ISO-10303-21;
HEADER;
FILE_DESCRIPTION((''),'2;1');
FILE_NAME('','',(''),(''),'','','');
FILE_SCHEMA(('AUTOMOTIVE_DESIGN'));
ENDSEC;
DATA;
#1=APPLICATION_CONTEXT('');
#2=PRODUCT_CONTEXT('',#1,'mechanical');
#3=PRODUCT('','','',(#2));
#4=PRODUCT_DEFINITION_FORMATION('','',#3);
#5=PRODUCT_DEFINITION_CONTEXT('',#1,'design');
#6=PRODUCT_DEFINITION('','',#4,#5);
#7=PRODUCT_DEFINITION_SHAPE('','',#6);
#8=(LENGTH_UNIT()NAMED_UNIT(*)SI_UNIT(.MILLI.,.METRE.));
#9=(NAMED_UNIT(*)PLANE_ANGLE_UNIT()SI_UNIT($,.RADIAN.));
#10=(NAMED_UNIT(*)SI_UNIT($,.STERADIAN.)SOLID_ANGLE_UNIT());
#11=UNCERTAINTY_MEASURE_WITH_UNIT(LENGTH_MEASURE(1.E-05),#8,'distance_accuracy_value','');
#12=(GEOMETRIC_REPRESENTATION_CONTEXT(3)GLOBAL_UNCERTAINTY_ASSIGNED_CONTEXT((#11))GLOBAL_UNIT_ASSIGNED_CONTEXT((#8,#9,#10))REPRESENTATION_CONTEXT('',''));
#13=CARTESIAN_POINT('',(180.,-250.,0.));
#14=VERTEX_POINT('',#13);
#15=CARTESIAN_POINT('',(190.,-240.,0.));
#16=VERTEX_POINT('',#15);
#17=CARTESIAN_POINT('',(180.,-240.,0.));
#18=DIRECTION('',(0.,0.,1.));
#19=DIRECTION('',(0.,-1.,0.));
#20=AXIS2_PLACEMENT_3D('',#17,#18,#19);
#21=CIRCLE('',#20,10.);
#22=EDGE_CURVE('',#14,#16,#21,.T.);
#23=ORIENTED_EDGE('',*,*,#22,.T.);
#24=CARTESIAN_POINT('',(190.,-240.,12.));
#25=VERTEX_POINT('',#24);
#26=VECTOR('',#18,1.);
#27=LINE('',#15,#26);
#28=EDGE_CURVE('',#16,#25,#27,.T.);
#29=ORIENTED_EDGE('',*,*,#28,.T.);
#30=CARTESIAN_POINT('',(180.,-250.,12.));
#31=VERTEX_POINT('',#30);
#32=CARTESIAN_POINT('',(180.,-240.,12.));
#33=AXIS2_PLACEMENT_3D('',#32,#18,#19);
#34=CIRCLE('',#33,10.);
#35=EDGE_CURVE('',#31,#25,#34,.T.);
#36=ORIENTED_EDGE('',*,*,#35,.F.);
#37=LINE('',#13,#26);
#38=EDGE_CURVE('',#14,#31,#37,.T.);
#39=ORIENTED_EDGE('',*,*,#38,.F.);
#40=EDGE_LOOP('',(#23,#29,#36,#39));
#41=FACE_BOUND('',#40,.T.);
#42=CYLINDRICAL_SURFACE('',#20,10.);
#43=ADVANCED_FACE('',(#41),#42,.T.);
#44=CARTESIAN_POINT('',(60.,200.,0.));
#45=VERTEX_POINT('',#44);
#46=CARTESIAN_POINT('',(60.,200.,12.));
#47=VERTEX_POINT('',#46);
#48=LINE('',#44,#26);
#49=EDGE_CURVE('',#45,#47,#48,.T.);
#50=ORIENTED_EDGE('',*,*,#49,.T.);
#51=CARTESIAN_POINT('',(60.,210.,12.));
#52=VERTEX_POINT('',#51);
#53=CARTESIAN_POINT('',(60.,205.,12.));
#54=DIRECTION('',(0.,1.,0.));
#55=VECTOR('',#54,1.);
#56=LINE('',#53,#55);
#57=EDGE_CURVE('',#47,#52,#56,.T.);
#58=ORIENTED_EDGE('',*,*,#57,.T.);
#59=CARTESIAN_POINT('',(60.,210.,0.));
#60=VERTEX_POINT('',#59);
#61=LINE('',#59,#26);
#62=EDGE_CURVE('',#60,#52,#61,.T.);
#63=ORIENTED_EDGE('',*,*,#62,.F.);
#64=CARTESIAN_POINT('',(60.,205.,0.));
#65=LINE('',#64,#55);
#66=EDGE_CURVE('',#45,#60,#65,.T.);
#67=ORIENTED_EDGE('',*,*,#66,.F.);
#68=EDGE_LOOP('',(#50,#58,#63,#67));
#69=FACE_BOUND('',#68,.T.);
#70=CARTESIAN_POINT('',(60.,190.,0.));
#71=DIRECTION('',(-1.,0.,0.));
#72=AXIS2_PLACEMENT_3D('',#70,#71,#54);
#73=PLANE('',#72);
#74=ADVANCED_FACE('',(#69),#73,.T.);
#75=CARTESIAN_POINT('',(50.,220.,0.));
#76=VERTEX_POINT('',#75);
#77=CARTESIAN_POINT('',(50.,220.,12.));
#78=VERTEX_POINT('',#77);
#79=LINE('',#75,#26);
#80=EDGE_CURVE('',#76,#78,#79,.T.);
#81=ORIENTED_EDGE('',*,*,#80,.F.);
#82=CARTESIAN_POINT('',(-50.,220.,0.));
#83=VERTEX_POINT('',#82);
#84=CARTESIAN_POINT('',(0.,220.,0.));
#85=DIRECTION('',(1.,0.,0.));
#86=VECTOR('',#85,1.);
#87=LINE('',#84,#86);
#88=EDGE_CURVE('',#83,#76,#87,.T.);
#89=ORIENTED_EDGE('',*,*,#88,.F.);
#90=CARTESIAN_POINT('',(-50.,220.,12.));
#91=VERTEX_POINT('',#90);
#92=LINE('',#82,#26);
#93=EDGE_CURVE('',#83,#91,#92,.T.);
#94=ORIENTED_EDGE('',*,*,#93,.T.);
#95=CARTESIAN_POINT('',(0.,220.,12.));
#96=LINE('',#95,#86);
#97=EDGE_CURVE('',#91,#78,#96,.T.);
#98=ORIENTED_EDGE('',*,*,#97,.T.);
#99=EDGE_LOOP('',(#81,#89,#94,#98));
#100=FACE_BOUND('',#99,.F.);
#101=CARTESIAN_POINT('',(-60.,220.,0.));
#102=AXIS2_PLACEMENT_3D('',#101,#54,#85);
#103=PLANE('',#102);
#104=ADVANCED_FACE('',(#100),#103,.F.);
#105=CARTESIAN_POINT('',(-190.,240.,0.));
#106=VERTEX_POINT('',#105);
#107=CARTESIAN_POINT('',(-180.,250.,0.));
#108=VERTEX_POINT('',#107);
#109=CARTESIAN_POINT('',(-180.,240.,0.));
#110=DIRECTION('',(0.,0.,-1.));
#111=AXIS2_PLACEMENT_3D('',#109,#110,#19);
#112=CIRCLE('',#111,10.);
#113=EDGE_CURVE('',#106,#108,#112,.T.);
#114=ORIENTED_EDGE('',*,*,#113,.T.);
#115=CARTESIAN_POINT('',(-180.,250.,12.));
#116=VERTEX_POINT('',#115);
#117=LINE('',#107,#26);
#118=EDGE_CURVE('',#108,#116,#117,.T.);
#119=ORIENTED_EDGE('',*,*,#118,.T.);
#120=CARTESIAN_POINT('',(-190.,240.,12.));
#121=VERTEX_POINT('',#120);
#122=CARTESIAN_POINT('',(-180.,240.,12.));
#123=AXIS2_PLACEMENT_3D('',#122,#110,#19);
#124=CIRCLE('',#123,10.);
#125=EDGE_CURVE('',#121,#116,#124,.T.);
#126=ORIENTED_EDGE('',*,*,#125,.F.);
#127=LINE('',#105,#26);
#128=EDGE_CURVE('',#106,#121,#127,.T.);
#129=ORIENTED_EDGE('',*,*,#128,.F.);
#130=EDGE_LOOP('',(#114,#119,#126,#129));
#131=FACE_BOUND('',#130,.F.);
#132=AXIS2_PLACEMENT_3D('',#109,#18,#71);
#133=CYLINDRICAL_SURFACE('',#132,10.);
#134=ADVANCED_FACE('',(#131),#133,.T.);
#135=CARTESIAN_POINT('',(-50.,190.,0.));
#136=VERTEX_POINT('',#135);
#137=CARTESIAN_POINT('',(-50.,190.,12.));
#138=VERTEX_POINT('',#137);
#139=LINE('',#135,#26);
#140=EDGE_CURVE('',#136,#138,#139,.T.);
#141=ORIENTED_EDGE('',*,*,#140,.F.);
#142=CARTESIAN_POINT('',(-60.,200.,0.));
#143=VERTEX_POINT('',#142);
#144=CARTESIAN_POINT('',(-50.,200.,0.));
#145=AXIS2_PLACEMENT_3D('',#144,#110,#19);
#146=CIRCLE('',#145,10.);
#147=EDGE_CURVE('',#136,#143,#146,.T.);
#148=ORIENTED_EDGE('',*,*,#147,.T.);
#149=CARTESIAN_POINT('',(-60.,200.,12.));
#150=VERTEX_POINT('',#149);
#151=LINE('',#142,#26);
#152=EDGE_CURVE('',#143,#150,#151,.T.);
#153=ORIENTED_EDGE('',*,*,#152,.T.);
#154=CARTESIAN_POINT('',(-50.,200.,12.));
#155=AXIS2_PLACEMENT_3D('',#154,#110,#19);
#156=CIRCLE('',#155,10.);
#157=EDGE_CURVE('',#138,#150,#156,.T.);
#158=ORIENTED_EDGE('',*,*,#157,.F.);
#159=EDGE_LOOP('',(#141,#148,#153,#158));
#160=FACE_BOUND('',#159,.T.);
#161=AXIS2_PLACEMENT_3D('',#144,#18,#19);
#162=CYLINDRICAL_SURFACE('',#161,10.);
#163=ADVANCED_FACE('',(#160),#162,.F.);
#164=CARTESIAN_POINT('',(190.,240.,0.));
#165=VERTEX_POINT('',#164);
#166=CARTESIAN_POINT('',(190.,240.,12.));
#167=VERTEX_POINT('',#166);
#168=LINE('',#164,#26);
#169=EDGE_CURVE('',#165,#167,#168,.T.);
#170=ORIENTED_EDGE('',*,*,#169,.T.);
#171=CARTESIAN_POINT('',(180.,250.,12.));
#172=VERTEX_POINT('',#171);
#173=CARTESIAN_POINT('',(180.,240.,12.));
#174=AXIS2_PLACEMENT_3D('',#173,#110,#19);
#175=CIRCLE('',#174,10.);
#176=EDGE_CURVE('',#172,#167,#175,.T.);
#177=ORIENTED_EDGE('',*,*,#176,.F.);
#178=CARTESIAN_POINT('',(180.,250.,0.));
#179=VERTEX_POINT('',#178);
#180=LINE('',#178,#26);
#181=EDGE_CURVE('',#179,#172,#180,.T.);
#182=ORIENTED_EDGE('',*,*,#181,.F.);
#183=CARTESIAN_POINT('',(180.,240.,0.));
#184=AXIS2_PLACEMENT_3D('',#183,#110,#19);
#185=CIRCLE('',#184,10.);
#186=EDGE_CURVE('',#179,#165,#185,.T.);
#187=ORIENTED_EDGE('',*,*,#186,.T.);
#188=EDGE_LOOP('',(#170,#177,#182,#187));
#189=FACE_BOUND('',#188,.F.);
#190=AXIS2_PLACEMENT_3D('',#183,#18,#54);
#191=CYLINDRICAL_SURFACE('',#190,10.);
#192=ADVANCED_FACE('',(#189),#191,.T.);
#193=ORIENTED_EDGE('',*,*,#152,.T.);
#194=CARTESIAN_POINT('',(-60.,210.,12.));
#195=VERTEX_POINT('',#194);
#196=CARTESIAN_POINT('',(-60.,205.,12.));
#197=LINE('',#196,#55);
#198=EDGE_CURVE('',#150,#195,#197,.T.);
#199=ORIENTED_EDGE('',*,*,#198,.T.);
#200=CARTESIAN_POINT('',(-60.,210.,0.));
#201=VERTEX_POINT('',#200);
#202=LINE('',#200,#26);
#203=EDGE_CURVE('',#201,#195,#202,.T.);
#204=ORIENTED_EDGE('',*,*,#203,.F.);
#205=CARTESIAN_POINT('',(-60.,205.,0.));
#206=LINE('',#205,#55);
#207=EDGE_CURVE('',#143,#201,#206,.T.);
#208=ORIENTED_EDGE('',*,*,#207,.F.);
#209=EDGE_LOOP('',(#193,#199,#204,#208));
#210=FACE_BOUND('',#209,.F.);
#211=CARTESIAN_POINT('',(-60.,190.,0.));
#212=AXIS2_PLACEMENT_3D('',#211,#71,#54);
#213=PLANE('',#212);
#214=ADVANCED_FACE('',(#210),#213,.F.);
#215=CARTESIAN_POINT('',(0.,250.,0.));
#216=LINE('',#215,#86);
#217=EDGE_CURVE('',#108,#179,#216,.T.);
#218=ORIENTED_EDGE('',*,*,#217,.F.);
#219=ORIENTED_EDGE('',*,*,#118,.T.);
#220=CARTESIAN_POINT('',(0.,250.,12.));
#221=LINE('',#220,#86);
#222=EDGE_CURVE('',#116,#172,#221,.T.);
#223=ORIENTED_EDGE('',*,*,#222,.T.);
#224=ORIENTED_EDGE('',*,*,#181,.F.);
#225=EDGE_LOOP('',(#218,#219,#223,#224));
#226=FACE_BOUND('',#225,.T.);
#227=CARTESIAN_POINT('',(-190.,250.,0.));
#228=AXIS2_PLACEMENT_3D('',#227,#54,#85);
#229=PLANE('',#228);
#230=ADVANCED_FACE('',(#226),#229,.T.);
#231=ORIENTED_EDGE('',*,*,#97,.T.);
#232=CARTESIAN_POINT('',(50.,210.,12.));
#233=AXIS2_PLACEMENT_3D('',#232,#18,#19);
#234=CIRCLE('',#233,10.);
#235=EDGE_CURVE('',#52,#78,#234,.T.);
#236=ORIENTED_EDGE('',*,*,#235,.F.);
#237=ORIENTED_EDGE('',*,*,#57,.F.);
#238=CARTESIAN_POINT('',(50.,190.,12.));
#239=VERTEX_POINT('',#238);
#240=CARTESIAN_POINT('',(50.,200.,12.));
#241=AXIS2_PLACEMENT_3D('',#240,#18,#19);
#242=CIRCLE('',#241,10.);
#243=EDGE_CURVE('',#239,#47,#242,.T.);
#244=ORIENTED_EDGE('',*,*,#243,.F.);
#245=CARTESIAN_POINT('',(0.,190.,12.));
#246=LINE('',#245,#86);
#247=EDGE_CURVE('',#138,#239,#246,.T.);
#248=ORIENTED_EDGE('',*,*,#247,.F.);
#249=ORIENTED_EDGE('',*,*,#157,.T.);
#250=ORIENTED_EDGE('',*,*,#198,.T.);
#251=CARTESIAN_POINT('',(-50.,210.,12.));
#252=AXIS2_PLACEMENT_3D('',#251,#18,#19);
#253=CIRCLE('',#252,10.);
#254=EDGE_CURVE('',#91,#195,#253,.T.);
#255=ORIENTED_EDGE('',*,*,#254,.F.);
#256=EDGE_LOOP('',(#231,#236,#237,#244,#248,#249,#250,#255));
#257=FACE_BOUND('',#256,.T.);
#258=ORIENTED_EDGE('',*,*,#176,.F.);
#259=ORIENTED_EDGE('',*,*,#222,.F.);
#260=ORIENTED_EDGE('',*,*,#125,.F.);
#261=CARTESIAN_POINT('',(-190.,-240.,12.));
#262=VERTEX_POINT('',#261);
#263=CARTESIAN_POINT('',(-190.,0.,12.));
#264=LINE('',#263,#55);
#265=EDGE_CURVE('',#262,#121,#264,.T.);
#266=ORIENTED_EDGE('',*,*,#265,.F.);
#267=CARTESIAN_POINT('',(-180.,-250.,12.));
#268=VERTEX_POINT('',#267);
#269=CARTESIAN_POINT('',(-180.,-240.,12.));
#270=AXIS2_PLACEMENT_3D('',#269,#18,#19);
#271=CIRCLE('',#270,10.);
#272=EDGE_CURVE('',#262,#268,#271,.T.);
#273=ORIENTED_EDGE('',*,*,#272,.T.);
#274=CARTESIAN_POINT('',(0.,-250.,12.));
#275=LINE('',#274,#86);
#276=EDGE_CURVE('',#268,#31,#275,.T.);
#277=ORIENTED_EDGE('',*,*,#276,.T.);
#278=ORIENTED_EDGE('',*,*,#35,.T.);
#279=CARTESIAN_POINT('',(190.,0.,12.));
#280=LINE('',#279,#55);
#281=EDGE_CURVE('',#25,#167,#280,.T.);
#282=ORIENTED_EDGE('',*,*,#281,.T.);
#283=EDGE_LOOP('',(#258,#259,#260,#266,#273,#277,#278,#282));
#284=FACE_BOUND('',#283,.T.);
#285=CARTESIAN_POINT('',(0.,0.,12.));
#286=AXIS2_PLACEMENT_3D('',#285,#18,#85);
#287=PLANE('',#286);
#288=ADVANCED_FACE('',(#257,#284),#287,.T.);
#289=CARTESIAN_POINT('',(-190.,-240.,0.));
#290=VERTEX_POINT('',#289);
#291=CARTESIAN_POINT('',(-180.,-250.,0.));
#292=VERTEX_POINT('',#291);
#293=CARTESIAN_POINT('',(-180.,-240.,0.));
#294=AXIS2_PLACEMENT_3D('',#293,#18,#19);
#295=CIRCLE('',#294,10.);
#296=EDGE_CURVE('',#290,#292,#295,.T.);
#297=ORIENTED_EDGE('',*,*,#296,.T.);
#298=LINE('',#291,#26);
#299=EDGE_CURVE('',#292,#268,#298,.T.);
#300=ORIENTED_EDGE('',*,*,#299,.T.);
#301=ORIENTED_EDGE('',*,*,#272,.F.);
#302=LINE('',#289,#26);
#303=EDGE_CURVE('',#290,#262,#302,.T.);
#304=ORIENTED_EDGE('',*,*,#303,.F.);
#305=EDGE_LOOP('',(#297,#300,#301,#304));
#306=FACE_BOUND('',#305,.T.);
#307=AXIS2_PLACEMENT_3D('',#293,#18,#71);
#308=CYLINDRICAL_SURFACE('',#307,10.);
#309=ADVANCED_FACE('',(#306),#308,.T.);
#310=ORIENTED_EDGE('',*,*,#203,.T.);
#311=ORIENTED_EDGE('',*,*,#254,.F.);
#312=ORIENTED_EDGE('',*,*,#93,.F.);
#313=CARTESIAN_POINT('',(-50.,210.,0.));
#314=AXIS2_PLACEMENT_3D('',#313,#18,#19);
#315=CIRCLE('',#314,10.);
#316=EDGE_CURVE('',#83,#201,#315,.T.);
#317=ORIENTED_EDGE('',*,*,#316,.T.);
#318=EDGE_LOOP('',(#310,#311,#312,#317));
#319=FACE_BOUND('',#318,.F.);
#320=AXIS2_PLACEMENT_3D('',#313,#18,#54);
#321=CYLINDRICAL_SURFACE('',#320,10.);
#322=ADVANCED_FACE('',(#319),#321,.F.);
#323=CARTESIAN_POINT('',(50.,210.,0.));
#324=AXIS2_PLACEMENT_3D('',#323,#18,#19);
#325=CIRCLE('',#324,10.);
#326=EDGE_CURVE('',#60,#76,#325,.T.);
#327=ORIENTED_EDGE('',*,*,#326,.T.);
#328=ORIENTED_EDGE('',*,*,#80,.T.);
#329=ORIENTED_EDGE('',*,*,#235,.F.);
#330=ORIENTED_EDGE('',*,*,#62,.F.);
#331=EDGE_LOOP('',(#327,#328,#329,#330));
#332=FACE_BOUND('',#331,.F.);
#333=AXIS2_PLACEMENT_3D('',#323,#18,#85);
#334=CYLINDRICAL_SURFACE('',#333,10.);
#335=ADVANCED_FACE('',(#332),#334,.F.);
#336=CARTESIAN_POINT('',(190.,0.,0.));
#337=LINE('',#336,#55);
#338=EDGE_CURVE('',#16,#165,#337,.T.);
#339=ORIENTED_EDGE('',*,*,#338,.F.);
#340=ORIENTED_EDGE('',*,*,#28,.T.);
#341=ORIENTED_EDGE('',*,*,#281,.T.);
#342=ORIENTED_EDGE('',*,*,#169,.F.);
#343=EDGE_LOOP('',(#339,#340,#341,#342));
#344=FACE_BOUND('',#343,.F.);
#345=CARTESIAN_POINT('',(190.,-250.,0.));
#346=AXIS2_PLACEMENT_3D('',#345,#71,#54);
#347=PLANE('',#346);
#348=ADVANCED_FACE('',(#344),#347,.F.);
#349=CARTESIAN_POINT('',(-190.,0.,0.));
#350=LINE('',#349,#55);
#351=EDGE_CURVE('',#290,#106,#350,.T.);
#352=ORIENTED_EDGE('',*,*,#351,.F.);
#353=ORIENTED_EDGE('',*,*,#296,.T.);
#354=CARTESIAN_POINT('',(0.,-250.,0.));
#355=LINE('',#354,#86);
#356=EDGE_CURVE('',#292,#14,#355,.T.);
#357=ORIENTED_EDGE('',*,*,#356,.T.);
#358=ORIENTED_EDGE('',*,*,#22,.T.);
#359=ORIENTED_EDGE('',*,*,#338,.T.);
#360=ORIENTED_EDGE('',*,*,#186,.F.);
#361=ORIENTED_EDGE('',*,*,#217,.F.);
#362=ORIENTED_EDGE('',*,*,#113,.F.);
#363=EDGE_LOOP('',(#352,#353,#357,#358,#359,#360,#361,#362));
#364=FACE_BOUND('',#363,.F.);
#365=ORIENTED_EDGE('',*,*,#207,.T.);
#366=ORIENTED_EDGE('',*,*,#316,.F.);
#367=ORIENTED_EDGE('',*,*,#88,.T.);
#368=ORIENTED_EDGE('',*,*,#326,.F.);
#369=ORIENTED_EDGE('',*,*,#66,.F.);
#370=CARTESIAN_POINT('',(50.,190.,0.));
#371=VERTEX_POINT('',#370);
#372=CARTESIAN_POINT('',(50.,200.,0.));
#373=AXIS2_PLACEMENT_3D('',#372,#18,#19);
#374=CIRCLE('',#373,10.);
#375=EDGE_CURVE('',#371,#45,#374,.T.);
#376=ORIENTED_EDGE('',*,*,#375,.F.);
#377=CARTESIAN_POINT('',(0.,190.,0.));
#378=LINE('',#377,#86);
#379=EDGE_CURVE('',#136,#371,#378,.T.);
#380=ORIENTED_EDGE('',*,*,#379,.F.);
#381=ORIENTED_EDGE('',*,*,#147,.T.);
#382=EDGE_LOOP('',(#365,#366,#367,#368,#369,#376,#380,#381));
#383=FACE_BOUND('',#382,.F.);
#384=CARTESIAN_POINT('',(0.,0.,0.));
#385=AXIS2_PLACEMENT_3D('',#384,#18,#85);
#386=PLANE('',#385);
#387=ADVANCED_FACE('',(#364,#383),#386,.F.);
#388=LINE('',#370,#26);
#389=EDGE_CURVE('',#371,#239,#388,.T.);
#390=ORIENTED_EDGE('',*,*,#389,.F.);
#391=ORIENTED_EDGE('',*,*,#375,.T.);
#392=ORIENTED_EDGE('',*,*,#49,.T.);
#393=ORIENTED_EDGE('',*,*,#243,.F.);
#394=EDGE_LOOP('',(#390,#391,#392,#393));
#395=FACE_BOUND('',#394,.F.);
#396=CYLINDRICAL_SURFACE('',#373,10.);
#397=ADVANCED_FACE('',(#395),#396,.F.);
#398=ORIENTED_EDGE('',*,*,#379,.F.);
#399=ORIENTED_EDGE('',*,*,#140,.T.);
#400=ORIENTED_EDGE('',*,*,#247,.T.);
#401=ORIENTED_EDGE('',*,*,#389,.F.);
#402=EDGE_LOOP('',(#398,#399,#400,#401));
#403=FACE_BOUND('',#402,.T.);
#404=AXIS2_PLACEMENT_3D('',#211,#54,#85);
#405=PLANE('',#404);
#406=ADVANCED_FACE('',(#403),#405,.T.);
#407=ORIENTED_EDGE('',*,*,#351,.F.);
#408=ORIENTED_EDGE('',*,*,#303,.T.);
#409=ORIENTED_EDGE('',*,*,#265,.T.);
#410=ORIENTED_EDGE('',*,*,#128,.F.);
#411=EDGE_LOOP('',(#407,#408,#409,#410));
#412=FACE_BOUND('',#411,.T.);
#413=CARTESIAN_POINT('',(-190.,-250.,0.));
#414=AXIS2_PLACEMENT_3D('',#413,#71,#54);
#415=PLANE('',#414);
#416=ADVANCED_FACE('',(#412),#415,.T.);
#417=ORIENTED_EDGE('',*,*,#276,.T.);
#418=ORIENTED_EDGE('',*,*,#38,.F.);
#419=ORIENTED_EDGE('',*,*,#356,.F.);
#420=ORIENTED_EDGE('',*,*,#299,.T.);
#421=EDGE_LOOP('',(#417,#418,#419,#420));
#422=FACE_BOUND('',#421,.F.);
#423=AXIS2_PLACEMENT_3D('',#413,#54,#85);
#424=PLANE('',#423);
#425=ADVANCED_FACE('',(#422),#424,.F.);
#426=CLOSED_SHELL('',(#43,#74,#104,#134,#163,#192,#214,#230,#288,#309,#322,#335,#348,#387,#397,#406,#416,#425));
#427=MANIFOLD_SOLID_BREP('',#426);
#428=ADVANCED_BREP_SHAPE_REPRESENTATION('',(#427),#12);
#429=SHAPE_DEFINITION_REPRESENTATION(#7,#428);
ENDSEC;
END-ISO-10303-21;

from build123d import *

# Parameters (mm, degrees)
F0_W     = 380
F0_H     = 500
F0_W_2   = 120
F0_H_2   = 30
F1_DEPTH = 12
F2_R     = 10


with BuildPart() as f1:
    # F0 (on Top) → F1 (new body)
    with BuildSketch(Plane.XY):
        Rectangle(F0_W, F0_H)
        with Locations((0, 205)):
            Rectangle(F0_W_2, F0_H_2, mode=Mode.SUBTRACT)
    extrude(amount=F1_DEPTH)

    # F2
    f2_edges = [f1.edges().sort_by_distance(p)[0] for p in [
        (-190, 250, 6),
        (190, 250, 6),
        (60, 190, 6),
        (60, 220, 6),
        (-60, 220, 6),
        (-60, 190, 6),
        (190, -250, 6),
        (-190, -250, 6),
    ]]
    fillet(f2_edges, radius=F2_R)


solid = f1.part
